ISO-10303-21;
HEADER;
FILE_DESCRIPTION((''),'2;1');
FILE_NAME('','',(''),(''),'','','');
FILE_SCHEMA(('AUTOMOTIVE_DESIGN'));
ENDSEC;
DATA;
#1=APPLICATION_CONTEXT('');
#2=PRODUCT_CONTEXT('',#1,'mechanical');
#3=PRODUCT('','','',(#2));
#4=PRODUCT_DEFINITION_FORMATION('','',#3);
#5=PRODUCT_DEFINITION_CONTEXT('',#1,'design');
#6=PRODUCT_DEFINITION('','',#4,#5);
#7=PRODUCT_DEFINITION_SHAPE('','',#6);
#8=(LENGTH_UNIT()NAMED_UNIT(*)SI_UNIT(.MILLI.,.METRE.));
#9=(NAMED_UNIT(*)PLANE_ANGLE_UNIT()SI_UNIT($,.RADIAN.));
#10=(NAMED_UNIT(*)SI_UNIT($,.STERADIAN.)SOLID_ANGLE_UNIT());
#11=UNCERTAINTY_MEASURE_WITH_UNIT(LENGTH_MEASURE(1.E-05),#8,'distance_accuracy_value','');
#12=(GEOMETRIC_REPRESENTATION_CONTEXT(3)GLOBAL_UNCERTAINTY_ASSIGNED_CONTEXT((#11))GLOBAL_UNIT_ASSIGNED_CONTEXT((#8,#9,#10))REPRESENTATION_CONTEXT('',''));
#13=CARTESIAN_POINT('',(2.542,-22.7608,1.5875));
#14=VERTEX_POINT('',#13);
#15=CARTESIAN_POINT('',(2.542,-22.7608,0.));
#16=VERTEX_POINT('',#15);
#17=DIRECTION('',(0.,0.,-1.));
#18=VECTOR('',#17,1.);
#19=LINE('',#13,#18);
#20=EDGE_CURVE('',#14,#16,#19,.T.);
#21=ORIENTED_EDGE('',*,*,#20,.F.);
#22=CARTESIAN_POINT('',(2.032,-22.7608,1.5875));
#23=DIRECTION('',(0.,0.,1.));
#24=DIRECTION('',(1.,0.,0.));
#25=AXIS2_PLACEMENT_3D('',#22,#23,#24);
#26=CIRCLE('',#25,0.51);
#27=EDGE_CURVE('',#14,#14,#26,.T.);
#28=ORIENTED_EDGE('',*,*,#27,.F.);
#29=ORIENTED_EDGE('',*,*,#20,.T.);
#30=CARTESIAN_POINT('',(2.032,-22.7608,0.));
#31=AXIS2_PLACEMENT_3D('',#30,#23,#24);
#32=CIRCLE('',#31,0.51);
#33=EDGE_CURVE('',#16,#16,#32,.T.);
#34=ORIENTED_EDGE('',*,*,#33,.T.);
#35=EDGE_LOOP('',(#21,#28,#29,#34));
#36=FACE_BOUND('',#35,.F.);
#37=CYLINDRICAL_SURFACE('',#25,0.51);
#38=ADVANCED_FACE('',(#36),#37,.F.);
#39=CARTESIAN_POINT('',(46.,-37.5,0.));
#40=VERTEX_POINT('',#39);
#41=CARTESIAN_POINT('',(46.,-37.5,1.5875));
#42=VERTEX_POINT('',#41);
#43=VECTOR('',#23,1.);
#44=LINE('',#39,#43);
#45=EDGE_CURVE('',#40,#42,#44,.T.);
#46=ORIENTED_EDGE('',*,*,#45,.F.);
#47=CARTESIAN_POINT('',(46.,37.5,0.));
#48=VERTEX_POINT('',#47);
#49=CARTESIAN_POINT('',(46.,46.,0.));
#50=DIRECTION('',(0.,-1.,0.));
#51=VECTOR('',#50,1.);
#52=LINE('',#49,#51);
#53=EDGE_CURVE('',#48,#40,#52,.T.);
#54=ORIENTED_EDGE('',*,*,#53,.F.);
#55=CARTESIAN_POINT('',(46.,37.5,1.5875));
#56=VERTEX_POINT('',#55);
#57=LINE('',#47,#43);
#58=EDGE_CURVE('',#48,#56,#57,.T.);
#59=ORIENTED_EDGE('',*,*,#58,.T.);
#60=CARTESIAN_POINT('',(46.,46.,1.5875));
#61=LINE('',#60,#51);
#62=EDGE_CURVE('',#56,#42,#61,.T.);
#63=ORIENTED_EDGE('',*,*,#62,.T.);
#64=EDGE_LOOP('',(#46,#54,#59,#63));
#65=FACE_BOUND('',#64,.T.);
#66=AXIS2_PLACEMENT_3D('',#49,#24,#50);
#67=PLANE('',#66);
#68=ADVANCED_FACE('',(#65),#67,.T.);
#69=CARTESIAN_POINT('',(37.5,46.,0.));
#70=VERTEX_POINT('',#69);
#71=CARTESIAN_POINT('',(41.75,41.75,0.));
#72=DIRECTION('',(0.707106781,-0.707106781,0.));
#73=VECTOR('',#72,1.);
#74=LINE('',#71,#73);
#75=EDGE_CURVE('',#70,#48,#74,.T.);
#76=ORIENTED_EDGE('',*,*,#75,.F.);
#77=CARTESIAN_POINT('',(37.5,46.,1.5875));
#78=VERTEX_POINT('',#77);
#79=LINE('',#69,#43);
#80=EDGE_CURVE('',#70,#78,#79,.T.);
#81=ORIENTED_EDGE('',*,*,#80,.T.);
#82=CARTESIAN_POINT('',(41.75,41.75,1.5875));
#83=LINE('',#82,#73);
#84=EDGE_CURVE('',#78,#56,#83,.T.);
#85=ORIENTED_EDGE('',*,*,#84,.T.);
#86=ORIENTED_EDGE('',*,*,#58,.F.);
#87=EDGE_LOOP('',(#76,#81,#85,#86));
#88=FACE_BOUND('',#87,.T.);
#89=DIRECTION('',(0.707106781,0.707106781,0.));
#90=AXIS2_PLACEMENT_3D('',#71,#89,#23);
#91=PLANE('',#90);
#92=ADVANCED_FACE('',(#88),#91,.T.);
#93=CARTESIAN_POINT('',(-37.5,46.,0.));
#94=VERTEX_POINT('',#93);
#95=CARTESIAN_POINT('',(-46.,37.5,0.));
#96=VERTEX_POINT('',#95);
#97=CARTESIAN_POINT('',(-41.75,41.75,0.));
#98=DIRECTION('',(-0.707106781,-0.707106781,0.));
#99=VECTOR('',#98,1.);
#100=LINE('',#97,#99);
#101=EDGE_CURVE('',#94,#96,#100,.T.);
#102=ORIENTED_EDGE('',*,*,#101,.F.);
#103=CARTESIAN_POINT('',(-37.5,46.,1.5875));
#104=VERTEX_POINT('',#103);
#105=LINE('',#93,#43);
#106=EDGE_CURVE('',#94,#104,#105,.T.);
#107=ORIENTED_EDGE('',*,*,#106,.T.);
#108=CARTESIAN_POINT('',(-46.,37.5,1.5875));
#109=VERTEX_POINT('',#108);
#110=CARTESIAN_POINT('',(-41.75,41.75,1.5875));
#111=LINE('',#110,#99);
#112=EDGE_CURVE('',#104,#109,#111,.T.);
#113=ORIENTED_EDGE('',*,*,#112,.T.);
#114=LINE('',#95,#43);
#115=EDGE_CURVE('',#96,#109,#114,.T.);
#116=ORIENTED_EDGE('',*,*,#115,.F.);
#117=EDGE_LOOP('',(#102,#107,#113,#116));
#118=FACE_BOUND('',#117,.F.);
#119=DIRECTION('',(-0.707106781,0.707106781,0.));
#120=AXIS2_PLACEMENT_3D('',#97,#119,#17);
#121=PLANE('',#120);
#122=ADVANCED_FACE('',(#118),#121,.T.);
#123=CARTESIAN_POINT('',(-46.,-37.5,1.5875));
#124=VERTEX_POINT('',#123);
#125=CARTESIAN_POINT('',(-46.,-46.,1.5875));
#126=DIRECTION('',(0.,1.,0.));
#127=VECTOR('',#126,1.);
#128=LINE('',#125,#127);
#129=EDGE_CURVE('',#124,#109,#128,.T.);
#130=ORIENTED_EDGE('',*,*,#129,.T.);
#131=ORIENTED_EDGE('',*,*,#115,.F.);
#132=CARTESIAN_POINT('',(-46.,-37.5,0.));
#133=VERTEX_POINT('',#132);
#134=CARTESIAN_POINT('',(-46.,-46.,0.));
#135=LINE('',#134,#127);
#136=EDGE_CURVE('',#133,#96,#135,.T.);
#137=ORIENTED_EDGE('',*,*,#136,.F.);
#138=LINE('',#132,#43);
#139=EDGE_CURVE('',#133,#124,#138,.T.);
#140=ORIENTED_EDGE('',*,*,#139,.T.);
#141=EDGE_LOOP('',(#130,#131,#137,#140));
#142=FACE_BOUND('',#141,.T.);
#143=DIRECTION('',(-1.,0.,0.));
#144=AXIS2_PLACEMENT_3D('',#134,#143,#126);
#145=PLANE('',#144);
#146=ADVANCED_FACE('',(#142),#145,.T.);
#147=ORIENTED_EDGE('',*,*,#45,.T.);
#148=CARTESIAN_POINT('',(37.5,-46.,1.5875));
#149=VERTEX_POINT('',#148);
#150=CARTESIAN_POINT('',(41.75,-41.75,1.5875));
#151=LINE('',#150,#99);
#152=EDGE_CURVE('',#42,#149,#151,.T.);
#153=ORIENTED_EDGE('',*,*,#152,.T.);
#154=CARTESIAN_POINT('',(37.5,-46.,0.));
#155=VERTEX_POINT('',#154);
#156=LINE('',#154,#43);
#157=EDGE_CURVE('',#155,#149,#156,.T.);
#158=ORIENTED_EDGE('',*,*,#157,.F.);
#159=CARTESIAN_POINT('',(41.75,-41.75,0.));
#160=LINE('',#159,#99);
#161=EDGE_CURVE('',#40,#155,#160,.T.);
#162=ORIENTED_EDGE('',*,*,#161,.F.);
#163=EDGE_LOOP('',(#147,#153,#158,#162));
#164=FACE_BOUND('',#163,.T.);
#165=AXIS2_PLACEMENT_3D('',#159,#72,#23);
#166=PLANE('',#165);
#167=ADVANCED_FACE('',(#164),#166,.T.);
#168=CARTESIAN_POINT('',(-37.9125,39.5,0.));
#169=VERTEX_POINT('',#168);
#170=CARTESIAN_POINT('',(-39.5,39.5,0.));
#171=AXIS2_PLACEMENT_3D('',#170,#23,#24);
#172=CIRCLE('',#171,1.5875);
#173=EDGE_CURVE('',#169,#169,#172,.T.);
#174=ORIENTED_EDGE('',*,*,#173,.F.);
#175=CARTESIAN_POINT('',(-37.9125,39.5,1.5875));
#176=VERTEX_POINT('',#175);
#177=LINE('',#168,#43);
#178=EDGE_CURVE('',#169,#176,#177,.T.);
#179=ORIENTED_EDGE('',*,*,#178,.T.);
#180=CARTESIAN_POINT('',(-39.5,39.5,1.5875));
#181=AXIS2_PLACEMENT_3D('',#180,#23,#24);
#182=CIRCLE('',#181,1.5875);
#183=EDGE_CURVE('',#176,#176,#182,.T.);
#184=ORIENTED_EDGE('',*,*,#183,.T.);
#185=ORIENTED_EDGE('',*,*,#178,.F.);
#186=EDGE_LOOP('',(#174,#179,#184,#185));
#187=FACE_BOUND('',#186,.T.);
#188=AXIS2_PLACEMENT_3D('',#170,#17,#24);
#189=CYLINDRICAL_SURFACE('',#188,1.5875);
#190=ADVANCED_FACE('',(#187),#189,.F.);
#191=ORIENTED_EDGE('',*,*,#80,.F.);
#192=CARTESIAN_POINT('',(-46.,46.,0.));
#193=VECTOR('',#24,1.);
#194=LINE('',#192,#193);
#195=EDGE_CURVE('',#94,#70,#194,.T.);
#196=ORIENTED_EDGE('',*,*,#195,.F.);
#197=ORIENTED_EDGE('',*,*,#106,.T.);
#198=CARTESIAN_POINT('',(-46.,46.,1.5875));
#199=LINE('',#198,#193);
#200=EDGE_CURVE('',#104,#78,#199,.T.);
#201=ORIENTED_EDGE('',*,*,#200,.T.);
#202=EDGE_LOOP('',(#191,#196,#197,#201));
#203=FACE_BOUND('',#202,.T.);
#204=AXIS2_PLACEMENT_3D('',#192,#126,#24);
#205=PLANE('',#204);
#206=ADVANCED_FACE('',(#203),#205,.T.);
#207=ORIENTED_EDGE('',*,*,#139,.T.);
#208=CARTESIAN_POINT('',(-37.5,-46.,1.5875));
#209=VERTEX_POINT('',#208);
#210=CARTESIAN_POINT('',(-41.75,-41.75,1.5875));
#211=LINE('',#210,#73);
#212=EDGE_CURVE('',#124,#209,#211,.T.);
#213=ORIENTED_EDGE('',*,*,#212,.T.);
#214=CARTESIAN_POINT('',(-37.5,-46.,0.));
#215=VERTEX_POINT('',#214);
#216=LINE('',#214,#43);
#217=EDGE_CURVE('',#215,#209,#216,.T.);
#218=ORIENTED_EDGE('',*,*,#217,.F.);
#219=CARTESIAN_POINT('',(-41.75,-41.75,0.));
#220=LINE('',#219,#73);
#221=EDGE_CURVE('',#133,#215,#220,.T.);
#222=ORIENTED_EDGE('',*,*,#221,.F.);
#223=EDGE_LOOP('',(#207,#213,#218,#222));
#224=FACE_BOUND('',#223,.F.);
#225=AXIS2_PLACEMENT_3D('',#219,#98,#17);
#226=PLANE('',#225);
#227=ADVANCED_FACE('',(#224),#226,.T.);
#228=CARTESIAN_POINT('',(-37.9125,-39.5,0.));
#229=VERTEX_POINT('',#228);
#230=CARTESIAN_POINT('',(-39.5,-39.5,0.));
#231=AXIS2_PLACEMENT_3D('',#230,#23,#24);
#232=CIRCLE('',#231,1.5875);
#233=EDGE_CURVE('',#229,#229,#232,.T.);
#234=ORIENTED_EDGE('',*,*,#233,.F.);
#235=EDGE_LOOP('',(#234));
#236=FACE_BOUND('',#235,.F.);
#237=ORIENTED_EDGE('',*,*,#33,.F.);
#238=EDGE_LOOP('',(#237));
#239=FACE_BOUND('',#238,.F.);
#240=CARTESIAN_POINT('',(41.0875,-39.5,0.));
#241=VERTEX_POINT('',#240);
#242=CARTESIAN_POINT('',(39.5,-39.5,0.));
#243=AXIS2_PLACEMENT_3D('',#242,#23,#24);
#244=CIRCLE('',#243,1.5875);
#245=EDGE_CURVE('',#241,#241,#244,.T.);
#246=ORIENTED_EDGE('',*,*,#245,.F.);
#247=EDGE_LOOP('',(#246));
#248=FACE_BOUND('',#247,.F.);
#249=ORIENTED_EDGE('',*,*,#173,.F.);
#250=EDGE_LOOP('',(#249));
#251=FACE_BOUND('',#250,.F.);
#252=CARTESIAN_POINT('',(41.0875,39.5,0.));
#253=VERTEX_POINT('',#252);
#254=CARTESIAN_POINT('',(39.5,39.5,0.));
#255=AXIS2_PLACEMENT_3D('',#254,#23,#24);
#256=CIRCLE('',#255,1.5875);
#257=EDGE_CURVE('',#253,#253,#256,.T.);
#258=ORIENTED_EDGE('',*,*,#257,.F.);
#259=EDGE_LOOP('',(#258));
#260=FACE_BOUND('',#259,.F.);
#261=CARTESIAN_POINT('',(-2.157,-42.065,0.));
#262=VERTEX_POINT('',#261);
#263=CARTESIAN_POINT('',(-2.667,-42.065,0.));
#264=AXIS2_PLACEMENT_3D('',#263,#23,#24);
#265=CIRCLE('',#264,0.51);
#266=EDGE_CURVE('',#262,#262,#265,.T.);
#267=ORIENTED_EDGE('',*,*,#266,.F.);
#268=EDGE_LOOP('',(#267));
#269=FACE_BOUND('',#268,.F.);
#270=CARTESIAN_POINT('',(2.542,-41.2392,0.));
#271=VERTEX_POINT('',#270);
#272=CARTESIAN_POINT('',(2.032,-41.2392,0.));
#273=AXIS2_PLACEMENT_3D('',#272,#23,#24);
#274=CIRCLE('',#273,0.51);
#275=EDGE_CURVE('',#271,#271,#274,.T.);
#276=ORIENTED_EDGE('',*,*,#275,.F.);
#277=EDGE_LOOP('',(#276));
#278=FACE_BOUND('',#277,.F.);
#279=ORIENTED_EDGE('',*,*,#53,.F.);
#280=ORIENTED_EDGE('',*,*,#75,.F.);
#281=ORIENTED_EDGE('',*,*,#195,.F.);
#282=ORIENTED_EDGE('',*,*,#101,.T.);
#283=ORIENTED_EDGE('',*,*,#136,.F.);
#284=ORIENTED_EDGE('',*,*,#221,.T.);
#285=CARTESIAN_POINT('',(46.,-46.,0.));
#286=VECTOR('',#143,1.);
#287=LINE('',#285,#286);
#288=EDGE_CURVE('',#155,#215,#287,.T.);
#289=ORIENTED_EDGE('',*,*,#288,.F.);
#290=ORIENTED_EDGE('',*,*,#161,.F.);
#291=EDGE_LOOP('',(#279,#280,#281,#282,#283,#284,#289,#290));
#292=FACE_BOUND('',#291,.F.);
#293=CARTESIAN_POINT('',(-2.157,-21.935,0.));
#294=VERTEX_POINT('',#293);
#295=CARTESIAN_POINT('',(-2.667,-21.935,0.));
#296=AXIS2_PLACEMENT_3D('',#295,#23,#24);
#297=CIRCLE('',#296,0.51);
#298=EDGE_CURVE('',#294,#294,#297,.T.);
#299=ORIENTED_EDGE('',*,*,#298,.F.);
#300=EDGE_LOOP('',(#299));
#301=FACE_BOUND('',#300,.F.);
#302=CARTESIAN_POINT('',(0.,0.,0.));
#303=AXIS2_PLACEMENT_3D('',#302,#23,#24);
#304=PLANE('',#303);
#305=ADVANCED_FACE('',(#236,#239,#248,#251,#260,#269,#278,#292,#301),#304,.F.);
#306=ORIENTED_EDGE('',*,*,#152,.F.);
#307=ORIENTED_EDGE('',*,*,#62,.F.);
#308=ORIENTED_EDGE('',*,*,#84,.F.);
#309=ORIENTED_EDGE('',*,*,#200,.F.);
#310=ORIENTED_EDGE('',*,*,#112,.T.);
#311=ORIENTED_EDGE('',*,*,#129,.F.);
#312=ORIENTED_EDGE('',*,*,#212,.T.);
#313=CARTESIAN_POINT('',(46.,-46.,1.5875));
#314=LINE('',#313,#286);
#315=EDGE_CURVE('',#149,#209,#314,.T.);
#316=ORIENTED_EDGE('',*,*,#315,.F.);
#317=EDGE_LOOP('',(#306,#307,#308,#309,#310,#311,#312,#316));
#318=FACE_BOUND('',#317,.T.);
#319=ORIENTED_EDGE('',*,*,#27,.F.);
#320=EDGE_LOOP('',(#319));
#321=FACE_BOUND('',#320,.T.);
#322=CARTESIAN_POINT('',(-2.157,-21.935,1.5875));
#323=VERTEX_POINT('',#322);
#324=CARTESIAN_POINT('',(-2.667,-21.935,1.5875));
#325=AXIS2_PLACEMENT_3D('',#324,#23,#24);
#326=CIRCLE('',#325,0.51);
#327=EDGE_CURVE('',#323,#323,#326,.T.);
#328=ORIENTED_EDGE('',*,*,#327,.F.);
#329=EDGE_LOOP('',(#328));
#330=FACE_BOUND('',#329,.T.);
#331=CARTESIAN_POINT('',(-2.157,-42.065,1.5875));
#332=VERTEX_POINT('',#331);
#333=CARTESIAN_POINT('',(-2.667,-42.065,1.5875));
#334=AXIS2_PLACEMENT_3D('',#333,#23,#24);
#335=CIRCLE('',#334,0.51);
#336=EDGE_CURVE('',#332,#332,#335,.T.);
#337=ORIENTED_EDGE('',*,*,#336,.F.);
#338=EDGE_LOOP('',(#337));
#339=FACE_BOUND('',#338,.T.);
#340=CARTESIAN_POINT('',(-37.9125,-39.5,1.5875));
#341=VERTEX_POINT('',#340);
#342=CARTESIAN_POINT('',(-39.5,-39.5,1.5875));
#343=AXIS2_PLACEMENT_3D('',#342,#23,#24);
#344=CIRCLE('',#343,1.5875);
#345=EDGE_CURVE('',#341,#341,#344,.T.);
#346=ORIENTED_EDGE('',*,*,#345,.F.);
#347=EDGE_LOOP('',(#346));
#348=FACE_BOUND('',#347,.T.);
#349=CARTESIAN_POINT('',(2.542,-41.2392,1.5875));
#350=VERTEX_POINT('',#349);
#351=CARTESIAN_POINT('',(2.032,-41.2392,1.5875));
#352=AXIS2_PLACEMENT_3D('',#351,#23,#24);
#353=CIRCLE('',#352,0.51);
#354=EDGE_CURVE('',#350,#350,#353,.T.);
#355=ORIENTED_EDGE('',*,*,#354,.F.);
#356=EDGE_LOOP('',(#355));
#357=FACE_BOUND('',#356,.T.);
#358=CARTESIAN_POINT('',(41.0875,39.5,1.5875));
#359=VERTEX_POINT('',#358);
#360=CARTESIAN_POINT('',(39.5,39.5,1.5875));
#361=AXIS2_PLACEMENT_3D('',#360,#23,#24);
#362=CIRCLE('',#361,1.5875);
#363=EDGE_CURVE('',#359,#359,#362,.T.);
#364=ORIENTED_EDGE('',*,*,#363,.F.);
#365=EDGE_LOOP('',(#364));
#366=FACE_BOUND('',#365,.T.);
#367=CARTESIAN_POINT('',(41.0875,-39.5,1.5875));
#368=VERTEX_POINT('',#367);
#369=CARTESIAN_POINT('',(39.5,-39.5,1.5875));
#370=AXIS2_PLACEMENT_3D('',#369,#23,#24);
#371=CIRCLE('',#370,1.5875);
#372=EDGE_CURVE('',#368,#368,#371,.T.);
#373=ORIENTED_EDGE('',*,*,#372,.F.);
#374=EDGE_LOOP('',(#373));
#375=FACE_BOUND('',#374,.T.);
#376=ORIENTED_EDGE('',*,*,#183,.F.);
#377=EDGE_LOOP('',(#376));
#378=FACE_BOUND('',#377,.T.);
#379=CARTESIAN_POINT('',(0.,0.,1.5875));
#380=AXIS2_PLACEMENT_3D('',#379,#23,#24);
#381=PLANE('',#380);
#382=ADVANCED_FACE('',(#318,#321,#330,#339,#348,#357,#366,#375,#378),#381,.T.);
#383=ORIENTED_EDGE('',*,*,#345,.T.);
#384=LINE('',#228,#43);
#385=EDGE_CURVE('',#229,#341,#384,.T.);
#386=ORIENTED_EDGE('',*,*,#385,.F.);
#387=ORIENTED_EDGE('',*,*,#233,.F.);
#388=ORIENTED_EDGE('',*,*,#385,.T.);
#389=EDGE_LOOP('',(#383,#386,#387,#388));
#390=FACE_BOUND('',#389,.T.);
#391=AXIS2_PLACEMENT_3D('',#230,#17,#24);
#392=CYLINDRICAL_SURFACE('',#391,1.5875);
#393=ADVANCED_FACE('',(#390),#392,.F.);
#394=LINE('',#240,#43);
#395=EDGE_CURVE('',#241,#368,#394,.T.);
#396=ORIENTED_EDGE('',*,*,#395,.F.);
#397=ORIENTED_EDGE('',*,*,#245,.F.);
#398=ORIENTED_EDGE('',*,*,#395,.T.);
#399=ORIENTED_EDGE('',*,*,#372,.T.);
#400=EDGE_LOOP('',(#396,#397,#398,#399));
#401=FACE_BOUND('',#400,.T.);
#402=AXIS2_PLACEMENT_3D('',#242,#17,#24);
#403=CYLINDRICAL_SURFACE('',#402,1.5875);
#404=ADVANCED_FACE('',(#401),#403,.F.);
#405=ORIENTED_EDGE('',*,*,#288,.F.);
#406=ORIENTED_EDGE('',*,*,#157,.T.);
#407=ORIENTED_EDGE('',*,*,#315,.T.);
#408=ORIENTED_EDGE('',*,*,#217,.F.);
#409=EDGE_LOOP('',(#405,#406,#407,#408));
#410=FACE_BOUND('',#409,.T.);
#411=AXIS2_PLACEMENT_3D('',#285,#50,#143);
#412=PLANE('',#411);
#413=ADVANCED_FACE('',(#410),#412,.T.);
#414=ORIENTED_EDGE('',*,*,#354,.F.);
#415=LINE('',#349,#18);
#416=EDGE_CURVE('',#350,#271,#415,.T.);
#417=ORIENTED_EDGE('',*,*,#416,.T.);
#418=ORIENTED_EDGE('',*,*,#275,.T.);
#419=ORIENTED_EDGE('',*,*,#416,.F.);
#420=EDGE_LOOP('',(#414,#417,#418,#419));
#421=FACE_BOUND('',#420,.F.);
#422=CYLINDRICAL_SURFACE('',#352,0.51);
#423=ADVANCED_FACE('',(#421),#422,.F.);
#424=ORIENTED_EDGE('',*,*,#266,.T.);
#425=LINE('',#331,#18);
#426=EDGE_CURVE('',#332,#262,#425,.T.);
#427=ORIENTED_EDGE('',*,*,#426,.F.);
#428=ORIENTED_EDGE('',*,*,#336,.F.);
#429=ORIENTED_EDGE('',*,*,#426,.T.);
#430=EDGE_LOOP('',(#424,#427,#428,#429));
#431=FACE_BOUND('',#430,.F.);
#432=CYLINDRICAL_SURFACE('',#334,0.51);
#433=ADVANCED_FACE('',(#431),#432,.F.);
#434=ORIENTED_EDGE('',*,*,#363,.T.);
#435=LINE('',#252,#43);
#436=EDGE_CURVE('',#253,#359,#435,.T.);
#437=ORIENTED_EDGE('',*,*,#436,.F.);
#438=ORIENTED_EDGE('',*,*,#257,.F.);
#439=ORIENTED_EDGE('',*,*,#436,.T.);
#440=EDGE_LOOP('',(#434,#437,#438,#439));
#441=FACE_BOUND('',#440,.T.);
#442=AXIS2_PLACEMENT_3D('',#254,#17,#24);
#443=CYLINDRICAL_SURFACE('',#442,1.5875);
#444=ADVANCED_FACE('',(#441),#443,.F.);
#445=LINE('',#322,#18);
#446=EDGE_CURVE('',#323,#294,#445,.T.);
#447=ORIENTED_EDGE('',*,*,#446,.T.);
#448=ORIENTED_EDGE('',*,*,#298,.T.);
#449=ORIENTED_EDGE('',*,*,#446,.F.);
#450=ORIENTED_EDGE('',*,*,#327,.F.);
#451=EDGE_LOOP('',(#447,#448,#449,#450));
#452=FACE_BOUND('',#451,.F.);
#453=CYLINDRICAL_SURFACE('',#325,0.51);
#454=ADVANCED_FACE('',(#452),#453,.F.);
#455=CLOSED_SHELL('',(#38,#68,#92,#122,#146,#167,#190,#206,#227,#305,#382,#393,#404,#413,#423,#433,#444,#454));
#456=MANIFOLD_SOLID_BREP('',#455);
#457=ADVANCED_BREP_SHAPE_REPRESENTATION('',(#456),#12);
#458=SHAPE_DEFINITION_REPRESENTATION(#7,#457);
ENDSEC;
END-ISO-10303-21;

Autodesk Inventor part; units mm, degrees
sketch "Sketch1" plane through (0, 0, 0) normal (0, 0, 1) x (1, 0, 0)
  line L0 (-46, 46) -> (46, 46)
  line L1 (46, 46) -> (46, -46)
  line L2 (46, -46) -> (-46, -46)
  line L3 (-46, -46) -> (-46, 46)
  circle A0 centre (39.5, 39.5) radius 1.5875
  circle A1 centre (-39.5, 39.5) radius 1.5875
  circle A2 centre (-39.5, -39.5) radius 1.5875
  circle A3 centre (39.5, -39.5) radius 1.5875
  line L4 (0, 10.5587) -> (0, 0)
  line L5 (0, 0) -> (12.3531, 0)
  circle A4 centre (-39.5, 39.5) radius 3.175 construction
  line L6 (-38, 44.6281) -> (-38, 37.8613) construction
  dimension "d0" = 92
  dimension "d1" = 92
  dimension "d508" = 3.175
  dimension "d509" = 79
  dimension "d510" = 79
  dimension "d511" = 6.35
  dimension "d515" = 76
extrude "Extrusion1" add sketch "Sketch1" along normal blind 1.5875
ref_plane "Work Plane_ConnX" through (-32, 0, 0) normal (1, 0, 0) x (0, 1, 0)
ref_plane "Work Plane_ConnY" through (0, 0, 0) normal (0, 1, 0) x (-1, 0, 0)
sketch "Sketch9" plane through (0, 0, 1.5875) normal (0, 0, 1) x (1, 0, 0)
  line L0 (46, 46) -> (46, -46) projected
  line L1 (58.5598, -32) -> (-58.5598, -32)
  circle A0 centre (-2.667, -21.935) radius 0.51
  circle A1 centre (-2.667, -42.065) radius 0.51
  line L2 (0, 26.5598) -> (0, -90.5598) construction
  point P0 (0, 0)
  point P1 (0, -32)
  dimension "d134" = 20.13
  dimension "d136" = 2.667
  dimension "d138" = 1.02
  dimension "d141" = 180
  dimension "d350" = 32
  dimension "d351" = 0
extrude "Holes_Conn_Zminus" cut sketch "Sketch9" against normal through all
sketch "Sketch22" plane through (0, 0, 1.5875) normal (0, 0, 1) x (1, 0, 0)
  line L0 (46, 46) -> (46, -46) projected
  line L1 (0, -1.0026) -> (0, -62.9974) construction
  line L2 (62.8115, -32) -> (-62.8115, -32)
  circle A0 centre (2.032, -22.7608) radius 0.51
  circle A1 centre (2.032, -41.2392) radius 0.51
  point P0 (46, -35)
  point P1 (46, 35)
  point P2 (0, 0)
  point P3 (0, -32)
  dimension "d282" = 180
  dimension "d283" = 18.4785
  dimension "d284" = 1.02
  dimension "d285" = 2.032
  dimension "d352" = 32
  dimension "d353" = 0
extrude "Holes_Conn_Zplus" cut sketch "Sketch22" against normal through all
chamfer "Chamfer4" distance 8.5 angle 45 4 edges at (-46, 46, 0.7937) (46, 46, 0.7937) (46, -46, 0.7937) (-46, -46, 0.7937)
sketch "Sketch31" plane through (0, 0, 1.5875) normal (0, 0, 1) x (1, 0, 0)
  circle A0 centre (39.5, -39.5) radius 3.175
  circle A1 centre (39.5, 39.5) radius 3.175
  circle A2 centre (-39.5, 39.5) radius 3.175
  circle A3 centre (-39.5, -39.5) radius 3.175
  point P0 (0, 0)
  dimension "d287" = 0
  dimension "d516" = 6.35
sketch "Sketch32" plane through (0, 0, 1.5875) normal (0, 0, 1) x (1, 0, 0)
  line L0 (34, -46) -> (34, -37.2218)
  line L1 (34, -37.2218) -> (37.2218, -34)
  line L2 (37.2218, -34) -> (46, -34)
  line L3 (46, 34) -> (37.2218, 34)
  line L4 (37.2218, 34) -> (34, 37.2218)
  line L5 (34, 37.2218) -> (34, 46)
  line L6 (-34, 46) -> (-34, 37.2218)
  line L7 (-34, 37.2218) -> (-37.2218, 34)
  line L8 (-37.2218, 34) -> (-46, 34)
  line L9 (-34, -46) -> (-34, -37.2218)
  line L10 (-34, -37.2218) -> (-37.2218, -34)
  line L11 (-37.2218, -34) -> (-46, -34)
  point P0 (39.5, -39.5)
  point P1 (0, 0)
  dimension "d287" = 0
  dimension "d519" = 5.5
  dimension "d520" = 5.5
sketch "Sketch34" plane through (0, 0, 1.5875) normal (0, 0, 1) x (1, 0, 0)
  line L0 (37.5, -46) -> (-37.5, -46) projected
  line L1 (46, 37.5) -> (46, -37.5) projected
  line L2 (-37.5, 46) -> (37.5, 46) projected
  line L3 (-46, -37.5) -> (-46, 37.5) projected
  line L4 (-46, 46) -> (46, 46) construction
  line L5 (46, 46) -> (46, -46) construction
  line L6 (46, -46) -> (-46, -46) construction
  line L7 (-46, -46) -> (-46, 46) construction
  point P0 (0, 0)
decal "Decal4"
sketch "Sketch35" plane through (0, 0, 0) normal (0, 0, -1) x (-1, 0, 0)
  line L0 (46, -37.5) -> (46, 37.5) projected
  line L1 (37.5, 46) -> (-37.5, 46) projected
  line L2 (-46, 37.5) -> (-46, -37.5) projected
  line L3 (-37.5, -46) -> (37.5, -46) projected
  line L4 (-46, 46) -> (46, 46) construction
  line L5 (46, 46) -> (46, -46) construction
  line L6 (46, -46) -> (-46, -46) construction
  line L7 (-46, -46) -> (-46, 46) construction
  point P0 (0, 0)
decal "Decal5"
sketch "Sketch36" plane through (0, 0, 1.5875) normal (0, 0, 1) x (1, 0, 0)
  line L0 (-37.5, 46) -> (37.5, 46) projected
  line L1 (37.5, -46) -> (-37.5, -46) projected
  line L2 (-46, -37.5) -> (-46, 37.5) projected
  line L3 (46, 37.5) -> (46, -37.5) projected
  point P0 (0, 0)
  point P1 (0, 46)
  point P2 (0, -46)
  point P3 (-46, 0)
  point P4 (46, 0)
ref_plane "Work Plane13" through (0, 46, 1.5875) normal (1, 0, 0) x (0, -1, 0)
ref_plane "Work Plane14" through (-46, 0, 1.5875) normal (0, 1, 0) x (1, 0, 0)
properties part number "PCB_RT-IHU" material "FR4"
